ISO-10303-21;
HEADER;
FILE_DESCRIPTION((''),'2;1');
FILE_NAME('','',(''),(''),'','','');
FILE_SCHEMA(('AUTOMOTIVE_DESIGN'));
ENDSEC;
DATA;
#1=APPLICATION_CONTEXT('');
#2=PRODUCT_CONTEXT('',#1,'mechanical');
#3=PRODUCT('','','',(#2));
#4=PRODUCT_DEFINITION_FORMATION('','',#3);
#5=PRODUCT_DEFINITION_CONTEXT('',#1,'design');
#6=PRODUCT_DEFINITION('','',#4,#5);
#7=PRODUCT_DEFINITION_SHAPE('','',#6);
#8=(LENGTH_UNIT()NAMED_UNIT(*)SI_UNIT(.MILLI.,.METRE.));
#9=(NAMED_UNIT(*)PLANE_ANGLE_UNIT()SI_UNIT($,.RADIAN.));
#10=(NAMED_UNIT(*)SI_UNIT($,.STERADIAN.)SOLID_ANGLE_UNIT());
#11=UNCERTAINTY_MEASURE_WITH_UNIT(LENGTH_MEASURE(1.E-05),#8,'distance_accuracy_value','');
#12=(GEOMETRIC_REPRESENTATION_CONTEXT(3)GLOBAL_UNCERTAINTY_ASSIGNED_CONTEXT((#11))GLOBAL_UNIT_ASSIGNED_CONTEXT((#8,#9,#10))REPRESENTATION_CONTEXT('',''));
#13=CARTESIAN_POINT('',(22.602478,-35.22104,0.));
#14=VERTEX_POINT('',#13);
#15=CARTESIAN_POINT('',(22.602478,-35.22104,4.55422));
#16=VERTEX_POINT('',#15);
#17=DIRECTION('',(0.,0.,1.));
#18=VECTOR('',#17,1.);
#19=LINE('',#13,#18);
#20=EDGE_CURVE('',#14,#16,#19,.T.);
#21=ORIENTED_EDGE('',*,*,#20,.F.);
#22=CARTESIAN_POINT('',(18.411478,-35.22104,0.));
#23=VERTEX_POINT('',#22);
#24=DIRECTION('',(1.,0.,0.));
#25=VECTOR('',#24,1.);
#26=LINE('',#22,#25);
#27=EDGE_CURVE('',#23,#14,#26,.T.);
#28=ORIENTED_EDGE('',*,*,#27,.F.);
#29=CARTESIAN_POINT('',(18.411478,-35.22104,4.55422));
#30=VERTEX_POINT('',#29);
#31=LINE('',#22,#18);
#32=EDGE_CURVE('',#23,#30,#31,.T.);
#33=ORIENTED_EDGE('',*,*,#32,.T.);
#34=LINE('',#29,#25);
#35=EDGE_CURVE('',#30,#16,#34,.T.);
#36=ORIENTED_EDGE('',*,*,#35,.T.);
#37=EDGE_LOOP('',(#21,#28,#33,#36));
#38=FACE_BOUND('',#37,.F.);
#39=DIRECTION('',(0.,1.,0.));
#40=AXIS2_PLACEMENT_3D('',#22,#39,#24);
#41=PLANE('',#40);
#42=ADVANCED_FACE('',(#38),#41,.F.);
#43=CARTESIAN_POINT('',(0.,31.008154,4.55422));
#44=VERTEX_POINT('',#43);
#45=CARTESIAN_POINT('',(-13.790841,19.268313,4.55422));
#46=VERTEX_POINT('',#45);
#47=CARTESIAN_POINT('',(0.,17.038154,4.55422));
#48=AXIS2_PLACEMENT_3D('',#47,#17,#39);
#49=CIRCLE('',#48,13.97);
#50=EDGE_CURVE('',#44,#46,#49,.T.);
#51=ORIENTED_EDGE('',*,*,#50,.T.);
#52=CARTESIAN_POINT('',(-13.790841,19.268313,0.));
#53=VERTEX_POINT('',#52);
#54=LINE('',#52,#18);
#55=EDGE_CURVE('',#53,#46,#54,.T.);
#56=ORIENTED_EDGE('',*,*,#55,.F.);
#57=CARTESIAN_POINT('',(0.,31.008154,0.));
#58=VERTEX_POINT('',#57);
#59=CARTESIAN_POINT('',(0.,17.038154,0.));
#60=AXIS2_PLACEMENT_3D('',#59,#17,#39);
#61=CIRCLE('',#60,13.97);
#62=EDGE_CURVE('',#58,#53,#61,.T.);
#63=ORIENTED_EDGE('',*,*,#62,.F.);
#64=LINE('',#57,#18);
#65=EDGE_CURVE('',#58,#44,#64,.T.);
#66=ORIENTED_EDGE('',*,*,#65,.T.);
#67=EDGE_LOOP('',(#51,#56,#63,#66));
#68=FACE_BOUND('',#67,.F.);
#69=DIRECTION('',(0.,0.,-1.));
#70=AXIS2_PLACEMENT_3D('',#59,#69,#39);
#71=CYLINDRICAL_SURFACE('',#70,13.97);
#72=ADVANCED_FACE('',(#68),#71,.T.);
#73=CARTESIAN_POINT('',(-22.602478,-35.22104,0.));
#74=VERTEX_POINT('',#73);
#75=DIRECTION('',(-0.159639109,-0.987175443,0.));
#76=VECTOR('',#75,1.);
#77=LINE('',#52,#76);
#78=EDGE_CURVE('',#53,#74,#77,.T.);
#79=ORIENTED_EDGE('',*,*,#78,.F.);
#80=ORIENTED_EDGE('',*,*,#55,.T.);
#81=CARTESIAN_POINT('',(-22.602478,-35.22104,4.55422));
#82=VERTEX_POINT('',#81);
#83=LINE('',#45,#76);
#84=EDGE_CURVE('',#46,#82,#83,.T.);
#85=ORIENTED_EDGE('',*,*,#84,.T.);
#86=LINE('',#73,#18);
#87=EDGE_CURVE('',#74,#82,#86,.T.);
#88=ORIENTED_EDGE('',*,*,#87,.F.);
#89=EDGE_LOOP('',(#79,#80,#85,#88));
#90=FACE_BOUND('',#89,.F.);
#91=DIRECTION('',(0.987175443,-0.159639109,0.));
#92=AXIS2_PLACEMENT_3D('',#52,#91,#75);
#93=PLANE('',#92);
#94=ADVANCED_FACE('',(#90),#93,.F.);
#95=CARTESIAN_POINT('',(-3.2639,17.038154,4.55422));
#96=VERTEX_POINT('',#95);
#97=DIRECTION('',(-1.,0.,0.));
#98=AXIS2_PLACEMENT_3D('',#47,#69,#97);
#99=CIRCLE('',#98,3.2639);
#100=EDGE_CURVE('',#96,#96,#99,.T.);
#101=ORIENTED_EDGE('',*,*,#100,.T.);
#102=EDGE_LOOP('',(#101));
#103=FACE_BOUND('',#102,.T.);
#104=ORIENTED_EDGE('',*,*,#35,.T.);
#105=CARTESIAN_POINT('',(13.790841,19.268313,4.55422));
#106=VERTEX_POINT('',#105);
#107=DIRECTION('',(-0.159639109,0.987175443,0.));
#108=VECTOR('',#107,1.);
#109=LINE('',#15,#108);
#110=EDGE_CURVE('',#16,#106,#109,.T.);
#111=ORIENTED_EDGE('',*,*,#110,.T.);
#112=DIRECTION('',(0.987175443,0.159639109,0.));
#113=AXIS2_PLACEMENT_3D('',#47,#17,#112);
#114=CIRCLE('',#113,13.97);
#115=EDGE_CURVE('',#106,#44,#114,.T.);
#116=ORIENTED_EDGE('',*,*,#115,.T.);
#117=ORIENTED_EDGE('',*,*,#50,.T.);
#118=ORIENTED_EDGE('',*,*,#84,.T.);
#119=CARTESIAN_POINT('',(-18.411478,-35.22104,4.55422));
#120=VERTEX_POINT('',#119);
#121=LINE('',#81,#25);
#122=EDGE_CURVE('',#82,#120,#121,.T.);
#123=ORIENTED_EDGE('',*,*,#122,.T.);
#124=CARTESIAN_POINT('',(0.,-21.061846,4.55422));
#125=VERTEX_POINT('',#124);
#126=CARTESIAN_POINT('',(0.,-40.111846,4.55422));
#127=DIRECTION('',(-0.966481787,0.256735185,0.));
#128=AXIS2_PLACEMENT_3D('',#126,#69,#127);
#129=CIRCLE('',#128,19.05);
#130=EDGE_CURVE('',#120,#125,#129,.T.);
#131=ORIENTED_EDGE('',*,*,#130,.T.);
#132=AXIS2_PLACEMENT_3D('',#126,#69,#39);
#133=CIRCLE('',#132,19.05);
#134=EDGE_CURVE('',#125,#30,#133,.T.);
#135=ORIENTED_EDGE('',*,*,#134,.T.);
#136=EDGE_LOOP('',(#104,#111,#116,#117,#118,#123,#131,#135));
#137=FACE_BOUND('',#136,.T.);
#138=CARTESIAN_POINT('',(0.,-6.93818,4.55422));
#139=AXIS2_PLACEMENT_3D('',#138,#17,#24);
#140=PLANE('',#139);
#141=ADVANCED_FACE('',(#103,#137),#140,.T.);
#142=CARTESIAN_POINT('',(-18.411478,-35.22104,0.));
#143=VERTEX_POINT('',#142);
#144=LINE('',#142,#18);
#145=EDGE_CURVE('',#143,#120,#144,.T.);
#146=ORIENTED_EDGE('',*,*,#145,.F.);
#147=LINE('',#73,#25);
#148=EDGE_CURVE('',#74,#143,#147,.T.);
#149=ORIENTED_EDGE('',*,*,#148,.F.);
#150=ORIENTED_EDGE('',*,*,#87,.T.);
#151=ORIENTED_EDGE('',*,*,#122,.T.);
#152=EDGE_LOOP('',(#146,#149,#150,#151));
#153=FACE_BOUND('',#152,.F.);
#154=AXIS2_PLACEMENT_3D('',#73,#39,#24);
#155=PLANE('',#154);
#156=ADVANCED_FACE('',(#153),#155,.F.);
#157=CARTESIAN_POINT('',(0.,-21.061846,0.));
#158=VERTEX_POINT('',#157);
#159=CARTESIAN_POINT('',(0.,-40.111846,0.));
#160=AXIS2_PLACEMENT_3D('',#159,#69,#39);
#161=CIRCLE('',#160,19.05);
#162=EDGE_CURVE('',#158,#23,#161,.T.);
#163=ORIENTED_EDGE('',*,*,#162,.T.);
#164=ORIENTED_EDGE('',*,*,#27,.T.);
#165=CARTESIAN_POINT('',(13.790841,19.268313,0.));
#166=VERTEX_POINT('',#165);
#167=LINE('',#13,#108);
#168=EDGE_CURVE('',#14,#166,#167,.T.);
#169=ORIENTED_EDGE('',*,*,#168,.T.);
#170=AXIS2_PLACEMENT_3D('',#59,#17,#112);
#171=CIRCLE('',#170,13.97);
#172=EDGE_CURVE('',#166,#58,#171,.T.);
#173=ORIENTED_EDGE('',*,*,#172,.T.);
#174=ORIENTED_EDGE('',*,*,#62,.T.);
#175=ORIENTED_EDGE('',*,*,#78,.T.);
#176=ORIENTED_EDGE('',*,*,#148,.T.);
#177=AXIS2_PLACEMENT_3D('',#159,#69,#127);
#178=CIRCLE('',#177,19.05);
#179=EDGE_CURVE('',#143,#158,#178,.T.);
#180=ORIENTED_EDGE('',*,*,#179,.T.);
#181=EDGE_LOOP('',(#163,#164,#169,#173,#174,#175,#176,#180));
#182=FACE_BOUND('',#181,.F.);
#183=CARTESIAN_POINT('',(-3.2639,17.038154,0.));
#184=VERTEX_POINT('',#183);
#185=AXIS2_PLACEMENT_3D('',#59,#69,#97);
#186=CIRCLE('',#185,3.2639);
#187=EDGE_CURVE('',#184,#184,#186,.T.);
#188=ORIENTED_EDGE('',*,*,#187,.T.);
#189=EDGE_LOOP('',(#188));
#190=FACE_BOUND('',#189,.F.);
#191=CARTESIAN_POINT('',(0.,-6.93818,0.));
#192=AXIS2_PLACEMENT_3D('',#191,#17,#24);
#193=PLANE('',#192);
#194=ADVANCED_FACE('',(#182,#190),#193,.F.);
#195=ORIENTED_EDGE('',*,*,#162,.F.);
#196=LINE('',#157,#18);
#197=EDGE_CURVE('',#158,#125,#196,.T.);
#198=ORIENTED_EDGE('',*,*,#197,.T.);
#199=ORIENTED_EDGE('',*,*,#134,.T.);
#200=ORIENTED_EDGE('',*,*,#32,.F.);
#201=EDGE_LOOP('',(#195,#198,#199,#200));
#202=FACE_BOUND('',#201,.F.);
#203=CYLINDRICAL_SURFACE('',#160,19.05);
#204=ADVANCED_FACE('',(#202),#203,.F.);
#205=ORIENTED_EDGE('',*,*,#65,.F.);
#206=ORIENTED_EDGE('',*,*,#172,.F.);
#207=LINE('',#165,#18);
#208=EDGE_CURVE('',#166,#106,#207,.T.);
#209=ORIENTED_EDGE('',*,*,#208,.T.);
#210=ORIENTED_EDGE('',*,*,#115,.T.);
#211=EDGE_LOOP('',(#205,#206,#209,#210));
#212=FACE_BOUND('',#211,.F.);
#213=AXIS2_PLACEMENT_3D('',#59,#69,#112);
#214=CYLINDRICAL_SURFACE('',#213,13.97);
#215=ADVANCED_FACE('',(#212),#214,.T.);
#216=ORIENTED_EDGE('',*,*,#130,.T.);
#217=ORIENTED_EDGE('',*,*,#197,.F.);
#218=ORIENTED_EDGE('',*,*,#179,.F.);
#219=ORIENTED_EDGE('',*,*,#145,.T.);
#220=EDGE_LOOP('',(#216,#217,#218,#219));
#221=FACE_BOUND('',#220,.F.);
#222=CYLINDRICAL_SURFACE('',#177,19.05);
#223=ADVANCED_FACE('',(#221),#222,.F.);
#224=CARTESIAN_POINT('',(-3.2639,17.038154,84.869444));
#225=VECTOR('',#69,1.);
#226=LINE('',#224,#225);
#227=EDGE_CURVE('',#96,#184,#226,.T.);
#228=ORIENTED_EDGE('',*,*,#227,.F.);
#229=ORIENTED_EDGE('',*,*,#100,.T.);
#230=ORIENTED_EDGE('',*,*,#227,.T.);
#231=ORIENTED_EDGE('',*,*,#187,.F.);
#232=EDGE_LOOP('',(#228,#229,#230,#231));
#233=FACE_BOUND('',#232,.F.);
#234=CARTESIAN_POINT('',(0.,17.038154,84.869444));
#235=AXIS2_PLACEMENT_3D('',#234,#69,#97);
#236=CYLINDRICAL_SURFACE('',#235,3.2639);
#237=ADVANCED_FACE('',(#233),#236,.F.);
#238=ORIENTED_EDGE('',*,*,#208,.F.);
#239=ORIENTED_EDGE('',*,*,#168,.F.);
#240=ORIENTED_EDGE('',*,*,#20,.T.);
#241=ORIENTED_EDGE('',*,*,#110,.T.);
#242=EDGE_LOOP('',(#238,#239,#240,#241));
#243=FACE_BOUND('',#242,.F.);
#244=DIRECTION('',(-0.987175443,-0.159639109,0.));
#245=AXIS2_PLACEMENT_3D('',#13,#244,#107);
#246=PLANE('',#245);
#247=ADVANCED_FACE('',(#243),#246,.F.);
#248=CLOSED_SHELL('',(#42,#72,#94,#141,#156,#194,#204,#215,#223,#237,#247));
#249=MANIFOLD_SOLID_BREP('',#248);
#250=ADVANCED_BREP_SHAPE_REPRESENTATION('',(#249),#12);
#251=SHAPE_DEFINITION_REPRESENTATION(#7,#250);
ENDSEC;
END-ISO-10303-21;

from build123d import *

# Parameters (mm, degrees)
F1_DEPTH = 4.55422
F3_D     = 6.5278


with BuildPart() as f1:
    # F0 (on Top) → F1 (new body)
    with BuildSketch(Plane.XY):
        with BuildLine():
            ThreePointArc((13.7908409365, 19.2683128195), (9.0555394057, 27.6757343672), (0, 31.0081544698))
            ThreePointArc((0, 31.0081544698), (-9.0555394057, 27.6757343672), (-13.7908409365, 19.2683128195))
            Line((-13.7908409365, 19.2683128195), (-22.6024780422, -35.2210402489))
            Line((-22.6024780422, -35.2210402489), (-18.4114780422, -35.2210402489))
            ThreePointArc((-18.4114780422, -35.2210402489), (-11.61319636, -25.0109789887), (0, -21.0618455302))
            ThreePointArc((0, -21.0618455302), (11.61319636, -25.0109789887), (18.4114780422, -35.2210402489))
            Line((18.4114780422, -35.2210402489), (22.6024780422, -35.2210402489))
            Line((22.6024780422, -35.2210402489), (13.7908409365, 19.2683128195))
        make_face()
    extrude(amount=F1_DEPTH)

    # F3 (through all)
    with Locations(Plane.XY.offset(4.55422)):
        with Locations((0, 17.0381544698)):
            Hole(F3_D / 2)


solid = f1.part
